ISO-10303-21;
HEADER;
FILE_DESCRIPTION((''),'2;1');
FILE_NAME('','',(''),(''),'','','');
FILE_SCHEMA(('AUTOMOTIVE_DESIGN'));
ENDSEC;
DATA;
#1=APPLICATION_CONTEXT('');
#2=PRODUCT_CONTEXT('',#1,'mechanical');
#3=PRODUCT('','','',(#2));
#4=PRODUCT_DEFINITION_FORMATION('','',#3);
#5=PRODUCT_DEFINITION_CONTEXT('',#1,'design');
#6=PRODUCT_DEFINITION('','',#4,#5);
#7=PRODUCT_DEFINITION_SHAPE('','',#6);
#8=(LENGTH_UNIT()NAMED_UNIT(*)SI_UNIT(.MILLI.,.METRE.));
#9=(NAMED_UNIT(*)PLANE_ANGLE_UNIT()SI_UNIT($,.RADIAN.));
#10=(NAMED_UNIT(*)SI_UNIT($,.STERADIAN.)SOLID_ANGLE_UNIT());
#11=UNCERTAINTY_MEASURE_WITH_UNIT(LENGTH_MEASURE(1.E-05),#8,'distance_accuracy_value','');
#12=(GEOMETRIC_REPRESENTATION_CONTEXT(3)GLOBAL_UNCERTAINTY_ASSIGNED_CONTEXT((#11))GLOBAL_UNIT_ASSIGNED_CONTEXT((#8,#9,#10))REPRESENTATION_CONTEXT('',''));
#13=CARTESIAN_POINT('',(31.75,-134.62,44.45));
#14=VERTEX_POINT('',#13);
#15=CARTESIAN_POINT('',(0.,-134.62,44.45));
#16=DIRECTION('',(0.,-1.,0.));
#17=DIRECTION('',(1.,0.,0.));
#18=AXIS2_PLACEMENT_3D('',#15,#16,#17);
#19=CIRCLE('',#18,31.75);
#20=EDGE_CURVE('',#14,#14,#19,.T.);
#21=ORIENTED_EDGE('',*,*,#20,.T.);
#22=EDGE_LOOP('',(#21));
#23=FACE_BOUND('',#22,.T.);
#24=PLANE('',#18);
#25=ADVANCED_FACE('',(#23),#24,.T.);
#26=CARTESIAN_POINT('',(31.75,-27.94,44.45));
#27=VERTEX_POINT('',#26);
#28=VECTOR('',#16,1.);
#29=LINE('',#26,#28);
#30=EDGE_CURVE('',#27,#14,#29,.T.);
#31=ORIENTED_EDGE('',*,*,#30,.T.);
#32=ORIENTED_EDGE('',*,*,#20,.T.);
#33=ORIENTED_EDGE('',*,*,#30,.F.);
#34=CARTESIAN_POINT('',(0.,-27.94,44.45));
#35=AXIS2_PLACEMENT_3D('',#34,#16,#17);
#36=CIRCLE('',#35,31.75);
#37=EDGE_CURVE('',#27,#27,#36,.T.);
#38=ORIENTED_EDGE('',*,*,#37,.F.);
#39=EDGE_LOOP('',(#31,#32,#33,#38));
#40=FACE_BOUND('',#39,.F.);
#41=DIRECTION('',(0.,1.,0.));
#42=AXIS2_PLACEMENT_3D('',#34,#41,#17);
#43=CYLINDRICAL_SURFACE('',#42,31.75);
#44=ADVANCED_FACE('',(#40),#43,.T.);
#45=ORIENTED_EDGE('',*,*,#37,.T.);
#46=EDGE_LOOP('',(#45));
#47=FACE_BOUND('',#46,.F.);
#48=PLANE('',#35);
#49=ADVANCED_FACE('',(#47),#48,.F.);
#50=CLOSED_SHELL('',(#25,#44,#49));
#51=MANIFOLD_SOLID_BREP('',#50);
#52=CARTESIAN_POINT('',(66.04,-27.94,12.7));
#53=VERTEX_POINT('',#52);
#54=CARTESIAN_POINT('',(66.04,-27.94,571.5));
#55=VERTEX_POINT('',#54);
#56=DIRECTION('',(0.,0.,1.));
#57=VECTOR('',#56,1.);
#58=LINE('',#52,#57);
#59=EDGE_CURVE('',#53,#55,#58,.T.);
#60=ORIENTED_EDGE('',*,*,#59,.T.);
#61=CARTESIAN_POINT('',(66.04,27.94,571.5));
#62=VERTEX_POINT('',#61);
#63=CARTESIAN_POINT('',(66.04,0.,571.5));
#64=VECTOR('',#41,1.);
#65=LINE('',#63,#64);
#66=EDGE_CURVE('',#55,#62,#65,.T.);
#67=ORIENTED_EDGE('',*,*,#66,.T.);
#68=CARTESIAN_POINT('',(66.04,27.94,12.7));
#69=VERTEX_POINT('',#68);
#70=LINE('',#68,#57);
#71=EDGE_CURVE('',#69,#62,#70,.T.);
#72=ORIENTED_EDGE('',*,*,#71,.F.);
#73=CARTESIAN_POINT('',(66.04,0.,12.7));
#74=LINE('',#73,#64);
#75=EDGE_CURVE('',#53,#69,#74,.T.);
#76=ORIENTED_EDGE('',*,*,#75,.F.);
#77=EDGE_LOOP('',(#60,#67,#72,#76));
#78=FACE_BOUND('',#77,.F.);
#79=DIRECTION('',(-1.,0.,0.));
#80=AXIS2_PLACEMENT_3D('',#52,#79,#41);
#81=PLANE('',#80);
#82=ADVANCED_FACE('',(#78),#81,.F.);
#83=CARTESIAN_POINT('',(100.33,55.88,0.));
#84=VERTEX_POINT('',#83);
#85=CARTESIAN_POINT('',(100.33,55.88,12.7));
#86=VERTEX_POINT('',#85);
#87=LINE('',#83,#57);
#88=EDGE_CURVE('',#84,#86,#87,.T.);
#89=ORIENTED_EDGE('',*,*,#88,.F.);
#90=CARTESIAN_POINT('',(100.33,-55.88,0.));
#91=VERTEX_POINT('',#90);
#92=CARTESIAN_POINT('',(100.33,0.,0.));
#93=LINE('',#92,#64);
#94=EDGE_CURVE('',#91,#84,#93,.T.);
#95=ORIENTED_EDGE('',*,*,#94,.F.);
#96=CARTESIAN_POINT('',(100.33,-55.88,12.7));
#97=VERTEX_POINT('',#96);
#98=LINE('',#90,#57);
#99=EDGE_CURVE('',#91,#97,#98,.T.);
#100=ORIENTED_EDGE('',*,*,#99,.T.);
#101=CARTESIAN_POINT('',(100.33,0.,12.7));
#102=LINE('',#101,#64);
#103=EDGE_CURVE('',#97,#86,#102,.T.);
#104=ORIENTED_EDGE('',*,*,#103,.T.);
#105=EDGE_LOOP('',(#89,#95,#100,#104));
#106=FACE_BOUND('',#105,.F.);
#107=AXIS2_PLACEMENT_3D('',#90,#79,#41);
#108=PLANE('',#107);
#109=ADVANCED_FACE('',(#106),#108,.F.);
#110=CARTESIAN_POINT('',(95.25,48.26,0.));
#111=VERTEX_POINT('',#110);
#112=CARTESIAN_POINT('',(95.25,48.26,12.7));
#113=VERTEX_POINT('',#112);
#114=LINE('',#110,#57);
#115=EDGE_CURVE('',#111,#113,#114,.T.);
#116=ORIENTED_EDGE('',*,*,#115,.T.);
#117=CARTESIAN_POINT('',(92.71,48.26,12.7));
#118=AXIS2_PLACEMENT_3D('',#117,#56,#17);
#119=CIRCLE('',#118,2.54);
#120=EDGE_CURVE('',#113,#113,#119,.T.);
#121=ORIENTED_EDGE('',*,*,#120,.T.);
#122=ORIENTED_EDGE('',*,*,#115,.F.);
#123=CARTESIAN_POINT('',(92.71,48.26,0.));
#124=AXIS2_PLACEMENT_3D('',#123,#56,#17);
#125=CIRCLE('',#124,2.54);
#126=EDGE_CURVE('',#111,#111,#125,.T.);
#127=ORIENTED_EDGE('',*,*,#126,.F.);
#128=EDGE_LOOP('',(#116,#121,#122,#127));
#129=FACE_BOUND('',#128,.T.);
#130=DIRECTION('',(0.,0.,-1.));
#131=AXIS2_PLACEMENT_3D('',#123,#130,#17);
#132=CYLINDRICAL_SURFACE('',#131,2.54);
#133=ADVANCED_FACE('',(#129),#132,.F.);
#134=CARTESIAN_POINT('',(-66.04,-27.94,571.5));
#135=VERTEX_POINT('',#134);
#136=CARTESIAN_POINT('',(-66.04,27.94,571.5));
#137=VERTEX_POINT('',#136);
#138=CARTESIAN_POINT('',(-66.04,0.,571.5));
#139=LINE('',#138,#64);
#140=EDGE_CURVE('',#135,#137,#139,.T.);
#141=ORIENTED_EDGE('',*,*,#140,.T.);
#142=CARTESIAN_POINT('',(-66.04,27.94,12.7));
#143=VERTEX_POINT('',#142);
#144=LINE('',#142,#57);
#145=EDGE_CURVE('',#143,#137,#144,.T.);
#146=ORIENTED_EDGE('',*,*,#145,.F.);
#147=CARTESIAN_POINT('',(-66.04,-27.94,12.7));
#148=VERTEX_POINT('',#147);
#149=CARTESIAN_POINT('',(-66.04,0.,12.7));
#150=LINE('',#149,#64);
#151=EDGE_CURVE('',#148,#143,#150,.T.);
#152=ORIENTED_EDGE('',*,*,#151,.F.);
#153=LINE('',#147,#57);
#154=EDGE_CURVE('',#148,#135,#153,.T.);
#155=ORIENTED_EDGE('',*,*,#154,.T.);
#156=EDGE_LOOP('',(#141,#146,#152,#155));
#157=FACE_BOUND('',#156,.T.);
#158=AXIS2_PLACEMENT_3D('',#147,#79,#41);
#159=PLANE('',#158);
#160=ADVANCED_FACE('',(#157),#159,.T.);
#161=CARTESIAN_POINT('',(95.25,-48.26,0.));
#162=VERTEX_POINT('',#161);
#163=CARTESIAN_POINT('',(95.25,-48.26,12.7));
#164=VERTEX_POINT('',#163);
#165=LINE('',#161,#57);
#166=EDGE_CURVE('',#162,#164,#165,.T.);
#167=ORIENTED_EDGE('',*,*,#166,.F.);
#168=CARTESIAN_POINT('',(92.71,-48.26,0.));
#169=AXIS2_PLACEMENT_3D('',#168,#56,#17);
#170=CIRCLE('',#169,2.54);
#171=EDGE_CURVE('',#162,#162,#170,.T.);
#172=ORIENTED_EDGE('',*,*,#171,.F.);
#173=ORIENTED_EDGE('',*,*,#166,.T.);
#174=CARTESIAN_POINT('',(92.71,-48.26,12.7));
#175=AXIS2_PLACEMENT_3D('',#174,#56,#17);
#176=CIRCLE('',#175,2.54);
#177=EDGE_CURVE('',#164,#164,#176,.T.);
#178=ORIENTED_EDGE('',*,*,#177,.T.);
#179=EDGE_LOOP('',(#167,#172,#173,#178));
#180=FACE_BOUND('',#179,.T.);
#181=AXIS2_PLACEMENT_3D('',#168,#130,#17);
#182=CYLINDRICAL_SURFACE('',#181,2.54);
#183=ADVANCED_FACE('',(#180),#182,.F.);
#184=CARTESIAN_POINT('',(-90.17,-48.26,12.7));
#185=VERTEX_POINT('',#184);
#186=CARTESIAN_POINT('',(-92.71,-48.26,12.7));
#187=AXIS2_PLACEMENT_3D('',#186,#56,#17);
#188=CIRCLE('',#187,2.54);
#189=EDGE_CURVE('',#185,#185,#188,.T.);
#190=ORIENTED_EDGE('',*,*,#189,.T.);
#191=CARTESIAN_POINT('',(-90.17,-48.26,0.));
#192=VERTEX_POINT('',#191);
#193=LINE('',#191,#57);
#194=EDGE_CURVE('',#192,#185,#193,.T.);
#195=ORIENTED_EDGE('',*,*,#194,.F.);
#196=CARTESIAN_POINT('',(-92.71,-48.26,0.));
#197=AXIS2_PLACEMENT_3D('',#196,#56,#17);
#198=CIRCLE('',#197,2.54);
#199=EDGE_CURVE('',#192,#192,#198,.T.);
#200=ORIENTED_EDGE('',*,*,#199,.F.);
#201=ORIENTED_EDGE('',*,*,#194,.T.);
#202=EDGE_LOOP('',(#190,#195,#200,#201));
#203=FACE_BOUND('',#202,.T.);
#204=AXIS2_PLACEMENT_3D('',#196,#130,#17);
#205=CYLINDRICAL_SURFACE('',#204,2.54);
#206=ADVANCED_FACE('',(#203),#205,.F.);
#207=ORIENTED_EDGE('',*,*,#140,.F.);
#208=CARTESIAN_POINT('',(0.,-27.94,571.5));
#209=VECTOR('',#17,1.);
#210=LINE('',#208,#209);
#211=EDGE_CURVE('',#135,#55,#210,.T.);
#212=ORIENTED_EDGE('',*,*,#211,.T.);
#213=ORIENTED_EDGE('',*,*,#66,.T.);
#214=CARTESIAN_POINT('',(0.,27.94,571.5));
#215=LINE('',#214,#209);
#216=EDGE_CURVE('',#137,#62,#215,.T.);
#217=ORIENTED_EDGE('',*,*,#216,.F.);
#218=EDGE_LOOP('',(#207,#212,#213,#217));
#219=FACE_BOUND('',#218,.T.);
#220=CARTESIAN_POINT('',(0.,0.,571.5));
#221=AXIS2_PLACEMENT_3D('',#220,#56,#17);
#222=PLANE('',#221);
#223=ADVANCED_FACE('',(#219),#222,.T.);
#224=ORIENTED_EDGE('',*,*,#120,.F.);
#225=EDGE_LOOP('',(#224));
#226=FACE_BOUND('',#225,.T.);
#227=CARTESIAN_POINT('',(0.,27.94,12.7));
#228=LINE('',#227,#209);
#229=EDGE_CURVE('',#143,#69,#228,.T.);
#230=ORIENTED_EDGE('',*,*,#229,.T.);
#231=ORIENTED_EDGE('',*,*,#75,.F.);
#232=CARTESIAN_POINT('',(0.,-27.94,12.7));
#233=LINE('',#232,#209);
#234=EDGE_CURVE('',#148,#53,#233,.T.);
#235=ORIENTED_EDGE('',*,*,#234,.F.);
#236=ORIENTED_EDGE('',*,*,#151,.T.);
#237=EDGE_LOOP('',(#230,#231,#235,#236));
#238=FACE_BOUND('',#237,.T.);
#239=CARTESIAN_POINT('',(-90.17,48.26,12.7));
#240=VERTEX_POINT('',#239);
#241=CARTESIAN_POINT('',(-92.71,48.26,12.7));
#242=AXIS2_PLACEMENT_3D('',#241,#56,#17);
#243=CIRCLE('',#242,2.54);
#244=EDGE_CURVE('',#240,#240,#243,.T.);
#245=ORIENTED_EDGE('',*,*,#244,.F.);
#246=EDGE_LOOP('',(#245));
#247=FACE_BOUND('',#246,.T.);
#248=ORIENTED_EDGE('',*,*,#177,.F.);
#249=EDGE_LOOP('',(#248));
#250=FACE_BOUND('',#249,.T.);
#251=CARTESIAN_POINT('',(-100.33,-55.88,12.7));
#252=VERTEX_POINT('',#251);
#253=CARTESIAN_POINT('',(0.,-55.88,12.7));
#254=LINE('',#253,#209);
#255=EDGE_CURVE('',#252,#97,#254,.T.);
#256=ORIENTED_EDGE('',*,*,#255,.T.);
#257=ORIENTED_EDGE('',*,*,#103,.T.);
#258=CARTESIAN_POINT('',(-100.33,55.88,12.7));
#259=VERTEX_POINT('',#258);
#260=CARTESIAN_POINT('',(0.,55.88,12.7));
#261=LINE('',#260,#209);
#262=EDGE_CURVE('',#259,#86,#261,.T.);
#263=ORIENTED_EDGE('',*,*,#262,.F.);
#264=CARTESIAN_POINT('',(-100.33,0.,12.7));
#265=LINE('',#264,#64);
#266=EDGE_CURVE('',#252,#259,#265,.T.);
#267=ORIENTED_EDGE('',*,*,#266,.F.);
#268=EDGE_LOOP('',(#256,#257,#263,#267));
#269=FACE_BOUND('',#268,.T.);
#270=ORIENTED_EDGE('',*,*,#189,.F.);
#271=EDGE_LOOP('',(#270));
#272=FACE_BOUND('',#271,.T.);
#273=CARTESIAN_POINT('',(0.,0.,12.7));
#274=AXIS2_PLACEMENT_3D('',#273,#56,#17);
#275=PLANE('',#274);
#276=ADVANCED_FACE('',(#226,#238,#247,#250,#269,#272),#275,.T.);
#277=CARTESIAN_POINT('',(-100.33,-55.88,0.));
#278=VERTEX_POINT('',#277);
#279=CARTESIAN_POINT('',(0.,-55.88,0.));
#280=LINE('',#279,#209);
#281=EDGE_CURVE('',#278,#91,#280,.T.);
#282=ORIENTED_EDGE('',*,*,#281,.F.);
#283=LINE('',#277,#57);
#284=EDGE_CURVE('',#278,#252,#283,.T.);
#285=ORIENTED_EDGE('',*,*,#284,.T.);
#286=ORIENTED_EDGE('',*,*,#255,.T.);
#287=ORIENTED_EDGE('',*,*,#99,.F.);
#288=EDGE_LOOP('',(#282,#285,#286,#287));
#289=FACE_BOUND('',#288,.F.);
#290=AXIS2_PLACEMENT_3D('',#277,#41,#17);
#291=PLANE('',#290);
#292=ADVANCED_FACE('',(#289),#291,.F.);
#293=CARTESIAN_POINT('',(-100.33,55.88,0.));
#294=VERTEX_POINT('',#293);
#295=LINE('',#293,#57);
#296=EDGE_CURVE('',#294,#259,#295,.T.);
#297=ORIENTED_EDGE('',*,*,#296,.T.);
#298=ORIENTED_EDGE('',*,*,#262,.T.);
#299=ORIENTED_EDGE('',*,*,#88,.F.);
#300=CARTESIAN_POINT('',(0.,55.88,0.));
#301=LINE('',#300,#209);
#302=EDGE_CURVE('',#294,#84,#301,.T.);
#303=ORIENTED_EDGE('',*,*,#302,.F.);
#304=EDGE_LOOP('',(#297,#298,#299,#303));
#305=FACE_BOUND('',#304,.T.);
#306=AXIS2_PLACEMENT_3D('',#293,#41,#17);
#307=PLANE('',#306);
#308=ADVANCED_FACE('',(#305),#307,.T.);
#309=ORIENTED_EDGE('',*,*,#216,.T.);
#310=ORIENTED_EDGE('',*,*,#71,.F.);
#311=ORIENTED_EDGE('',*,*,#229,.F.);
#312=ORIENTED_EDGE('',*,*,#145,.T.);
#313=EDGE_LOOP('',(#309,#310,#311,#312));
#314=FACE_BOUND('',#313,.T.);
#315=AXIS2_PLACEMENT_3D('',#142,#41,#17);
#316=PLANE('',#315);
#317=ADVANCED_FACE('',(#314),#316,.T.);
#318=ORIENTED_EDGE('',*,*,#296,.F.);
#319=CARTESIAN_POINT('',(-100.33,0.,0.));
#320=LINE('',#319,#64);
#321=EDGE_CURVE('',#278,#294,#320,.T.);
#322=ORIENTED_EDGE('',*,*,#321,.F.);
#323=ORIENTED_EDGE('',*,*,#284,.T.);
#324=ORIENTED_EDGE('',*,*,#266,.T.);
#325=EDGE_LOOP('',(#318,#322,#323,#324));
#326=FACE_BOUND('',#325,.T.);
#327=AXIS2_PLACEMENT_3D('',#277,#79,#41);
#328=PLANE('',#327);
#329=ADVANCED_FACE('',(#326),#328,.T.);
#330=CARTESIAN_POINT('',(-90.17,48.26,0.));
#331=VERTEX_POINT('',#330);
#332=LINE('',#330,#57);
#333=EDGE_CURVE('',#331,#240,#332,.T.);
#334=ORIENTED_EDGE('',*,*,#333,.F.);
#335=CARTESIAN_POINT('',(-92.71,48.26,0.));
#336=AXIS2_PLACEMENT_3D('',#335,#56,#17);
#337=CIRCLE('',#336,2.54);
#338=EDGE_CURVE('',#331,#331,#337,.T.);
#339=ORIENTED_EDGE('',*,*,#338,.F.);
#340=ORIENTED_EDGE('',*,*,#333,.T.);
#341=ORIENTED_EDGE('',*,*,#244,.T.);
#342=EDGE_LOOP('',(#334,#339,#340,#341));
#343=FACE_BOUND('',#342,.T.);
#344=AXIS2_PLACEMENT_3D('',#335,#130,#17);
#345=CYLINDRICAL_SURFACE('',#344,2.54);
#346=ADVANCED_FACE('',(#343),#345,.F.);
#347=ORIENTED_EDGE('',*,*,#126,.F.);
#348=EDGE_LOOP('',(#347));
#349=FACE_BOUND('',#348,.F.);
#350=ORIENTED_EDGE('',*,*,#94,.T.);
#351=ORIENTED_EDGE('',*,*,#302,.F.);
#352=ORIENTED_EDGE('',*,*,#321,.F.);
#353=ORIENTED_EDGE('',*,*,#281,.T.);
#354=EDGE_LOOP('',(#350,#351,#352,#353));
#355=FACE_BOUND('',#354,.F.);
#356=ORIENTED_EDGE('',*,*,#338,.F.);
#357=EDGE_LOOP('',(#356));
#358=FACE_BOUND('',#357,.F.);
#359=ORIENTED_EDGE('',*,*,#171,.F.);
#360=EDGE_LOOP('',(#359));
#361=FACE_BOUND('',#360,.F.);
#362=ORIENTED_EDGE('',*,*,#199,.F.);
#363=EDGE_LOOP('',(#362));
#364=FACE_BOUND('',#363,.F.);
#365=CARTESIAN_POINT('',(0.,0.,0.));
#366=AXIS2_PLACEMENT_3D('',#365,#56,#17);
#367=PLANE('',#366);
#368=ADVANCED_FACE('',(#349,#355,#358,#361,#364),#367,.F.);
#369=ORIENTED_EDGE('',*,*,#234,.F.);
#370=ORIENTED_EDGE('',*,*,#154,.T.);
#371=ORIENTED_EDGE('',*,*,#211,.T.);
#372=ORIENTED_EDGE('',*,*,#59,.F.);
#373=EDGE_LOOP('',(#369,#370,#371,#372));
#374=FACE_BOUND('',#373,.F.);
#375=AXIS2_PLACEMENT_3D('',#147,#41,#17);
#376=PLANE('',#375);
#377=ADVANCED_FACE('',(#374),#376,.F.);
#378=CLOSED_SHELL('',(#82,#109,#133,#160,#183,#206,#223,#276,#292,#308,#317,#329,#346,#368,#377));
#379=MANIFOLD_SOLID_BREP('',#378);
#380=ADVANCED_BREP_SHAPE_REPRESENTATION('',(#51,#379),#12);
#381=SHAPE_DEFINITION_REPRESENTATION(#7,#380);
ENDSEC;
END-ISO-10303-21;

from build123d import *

# Parameters (mm, degrees)
F0_W     = 200.66
F0_H     = 111.76
F0_R     = 2.54
F1_DEPTH = 12.7
F2_W     = 132.08
F2_H     = 55.88
F3_DEPTH = 558.8
F4_R     = 31.75
F5_DEPTH = 106.68


with BuildPart() as f1:
    # F0 (on Top) → F1 (new body)
    with BuildSketch(Plane.XY):
        Rectangle(F0_W, F0_H)
        with Locations((-92.71, -48.26)):
            Circle(F0_R, mode=Mode.SUBTRACT)
        with Locations((92.71, -48.26)):
            Circle(F0_R, mode=Mode.SUBTRACT)
        with Locations((-92.71, 48.26)):
            Circle(F0_R, mode=Mode.SUBTRACT)
        with Locations((92.71, 48.26)):
            Circle(F0_R, mode=Mode.SUBTRACT)
    extrude(amount=F1_DEPTH)

    # F2 (on face) → F3 (join)
    with BuildSketch(Plane.XY.offset(12.7)):
        Rectangle(F2_W, F2_H)
    extrude(amount=F3_DEPTH)


with BuildPart() as f5:
    # F4 (on face) → F5 (new body)
    with BuildSketch(Plane.XZ.offset(27.94)):
        with Locations((0, 44.45)):
            Circle(F4_R)
    extrude(amount=F5_DEPTH)


solid = Compound([f1.part, f5.part])
